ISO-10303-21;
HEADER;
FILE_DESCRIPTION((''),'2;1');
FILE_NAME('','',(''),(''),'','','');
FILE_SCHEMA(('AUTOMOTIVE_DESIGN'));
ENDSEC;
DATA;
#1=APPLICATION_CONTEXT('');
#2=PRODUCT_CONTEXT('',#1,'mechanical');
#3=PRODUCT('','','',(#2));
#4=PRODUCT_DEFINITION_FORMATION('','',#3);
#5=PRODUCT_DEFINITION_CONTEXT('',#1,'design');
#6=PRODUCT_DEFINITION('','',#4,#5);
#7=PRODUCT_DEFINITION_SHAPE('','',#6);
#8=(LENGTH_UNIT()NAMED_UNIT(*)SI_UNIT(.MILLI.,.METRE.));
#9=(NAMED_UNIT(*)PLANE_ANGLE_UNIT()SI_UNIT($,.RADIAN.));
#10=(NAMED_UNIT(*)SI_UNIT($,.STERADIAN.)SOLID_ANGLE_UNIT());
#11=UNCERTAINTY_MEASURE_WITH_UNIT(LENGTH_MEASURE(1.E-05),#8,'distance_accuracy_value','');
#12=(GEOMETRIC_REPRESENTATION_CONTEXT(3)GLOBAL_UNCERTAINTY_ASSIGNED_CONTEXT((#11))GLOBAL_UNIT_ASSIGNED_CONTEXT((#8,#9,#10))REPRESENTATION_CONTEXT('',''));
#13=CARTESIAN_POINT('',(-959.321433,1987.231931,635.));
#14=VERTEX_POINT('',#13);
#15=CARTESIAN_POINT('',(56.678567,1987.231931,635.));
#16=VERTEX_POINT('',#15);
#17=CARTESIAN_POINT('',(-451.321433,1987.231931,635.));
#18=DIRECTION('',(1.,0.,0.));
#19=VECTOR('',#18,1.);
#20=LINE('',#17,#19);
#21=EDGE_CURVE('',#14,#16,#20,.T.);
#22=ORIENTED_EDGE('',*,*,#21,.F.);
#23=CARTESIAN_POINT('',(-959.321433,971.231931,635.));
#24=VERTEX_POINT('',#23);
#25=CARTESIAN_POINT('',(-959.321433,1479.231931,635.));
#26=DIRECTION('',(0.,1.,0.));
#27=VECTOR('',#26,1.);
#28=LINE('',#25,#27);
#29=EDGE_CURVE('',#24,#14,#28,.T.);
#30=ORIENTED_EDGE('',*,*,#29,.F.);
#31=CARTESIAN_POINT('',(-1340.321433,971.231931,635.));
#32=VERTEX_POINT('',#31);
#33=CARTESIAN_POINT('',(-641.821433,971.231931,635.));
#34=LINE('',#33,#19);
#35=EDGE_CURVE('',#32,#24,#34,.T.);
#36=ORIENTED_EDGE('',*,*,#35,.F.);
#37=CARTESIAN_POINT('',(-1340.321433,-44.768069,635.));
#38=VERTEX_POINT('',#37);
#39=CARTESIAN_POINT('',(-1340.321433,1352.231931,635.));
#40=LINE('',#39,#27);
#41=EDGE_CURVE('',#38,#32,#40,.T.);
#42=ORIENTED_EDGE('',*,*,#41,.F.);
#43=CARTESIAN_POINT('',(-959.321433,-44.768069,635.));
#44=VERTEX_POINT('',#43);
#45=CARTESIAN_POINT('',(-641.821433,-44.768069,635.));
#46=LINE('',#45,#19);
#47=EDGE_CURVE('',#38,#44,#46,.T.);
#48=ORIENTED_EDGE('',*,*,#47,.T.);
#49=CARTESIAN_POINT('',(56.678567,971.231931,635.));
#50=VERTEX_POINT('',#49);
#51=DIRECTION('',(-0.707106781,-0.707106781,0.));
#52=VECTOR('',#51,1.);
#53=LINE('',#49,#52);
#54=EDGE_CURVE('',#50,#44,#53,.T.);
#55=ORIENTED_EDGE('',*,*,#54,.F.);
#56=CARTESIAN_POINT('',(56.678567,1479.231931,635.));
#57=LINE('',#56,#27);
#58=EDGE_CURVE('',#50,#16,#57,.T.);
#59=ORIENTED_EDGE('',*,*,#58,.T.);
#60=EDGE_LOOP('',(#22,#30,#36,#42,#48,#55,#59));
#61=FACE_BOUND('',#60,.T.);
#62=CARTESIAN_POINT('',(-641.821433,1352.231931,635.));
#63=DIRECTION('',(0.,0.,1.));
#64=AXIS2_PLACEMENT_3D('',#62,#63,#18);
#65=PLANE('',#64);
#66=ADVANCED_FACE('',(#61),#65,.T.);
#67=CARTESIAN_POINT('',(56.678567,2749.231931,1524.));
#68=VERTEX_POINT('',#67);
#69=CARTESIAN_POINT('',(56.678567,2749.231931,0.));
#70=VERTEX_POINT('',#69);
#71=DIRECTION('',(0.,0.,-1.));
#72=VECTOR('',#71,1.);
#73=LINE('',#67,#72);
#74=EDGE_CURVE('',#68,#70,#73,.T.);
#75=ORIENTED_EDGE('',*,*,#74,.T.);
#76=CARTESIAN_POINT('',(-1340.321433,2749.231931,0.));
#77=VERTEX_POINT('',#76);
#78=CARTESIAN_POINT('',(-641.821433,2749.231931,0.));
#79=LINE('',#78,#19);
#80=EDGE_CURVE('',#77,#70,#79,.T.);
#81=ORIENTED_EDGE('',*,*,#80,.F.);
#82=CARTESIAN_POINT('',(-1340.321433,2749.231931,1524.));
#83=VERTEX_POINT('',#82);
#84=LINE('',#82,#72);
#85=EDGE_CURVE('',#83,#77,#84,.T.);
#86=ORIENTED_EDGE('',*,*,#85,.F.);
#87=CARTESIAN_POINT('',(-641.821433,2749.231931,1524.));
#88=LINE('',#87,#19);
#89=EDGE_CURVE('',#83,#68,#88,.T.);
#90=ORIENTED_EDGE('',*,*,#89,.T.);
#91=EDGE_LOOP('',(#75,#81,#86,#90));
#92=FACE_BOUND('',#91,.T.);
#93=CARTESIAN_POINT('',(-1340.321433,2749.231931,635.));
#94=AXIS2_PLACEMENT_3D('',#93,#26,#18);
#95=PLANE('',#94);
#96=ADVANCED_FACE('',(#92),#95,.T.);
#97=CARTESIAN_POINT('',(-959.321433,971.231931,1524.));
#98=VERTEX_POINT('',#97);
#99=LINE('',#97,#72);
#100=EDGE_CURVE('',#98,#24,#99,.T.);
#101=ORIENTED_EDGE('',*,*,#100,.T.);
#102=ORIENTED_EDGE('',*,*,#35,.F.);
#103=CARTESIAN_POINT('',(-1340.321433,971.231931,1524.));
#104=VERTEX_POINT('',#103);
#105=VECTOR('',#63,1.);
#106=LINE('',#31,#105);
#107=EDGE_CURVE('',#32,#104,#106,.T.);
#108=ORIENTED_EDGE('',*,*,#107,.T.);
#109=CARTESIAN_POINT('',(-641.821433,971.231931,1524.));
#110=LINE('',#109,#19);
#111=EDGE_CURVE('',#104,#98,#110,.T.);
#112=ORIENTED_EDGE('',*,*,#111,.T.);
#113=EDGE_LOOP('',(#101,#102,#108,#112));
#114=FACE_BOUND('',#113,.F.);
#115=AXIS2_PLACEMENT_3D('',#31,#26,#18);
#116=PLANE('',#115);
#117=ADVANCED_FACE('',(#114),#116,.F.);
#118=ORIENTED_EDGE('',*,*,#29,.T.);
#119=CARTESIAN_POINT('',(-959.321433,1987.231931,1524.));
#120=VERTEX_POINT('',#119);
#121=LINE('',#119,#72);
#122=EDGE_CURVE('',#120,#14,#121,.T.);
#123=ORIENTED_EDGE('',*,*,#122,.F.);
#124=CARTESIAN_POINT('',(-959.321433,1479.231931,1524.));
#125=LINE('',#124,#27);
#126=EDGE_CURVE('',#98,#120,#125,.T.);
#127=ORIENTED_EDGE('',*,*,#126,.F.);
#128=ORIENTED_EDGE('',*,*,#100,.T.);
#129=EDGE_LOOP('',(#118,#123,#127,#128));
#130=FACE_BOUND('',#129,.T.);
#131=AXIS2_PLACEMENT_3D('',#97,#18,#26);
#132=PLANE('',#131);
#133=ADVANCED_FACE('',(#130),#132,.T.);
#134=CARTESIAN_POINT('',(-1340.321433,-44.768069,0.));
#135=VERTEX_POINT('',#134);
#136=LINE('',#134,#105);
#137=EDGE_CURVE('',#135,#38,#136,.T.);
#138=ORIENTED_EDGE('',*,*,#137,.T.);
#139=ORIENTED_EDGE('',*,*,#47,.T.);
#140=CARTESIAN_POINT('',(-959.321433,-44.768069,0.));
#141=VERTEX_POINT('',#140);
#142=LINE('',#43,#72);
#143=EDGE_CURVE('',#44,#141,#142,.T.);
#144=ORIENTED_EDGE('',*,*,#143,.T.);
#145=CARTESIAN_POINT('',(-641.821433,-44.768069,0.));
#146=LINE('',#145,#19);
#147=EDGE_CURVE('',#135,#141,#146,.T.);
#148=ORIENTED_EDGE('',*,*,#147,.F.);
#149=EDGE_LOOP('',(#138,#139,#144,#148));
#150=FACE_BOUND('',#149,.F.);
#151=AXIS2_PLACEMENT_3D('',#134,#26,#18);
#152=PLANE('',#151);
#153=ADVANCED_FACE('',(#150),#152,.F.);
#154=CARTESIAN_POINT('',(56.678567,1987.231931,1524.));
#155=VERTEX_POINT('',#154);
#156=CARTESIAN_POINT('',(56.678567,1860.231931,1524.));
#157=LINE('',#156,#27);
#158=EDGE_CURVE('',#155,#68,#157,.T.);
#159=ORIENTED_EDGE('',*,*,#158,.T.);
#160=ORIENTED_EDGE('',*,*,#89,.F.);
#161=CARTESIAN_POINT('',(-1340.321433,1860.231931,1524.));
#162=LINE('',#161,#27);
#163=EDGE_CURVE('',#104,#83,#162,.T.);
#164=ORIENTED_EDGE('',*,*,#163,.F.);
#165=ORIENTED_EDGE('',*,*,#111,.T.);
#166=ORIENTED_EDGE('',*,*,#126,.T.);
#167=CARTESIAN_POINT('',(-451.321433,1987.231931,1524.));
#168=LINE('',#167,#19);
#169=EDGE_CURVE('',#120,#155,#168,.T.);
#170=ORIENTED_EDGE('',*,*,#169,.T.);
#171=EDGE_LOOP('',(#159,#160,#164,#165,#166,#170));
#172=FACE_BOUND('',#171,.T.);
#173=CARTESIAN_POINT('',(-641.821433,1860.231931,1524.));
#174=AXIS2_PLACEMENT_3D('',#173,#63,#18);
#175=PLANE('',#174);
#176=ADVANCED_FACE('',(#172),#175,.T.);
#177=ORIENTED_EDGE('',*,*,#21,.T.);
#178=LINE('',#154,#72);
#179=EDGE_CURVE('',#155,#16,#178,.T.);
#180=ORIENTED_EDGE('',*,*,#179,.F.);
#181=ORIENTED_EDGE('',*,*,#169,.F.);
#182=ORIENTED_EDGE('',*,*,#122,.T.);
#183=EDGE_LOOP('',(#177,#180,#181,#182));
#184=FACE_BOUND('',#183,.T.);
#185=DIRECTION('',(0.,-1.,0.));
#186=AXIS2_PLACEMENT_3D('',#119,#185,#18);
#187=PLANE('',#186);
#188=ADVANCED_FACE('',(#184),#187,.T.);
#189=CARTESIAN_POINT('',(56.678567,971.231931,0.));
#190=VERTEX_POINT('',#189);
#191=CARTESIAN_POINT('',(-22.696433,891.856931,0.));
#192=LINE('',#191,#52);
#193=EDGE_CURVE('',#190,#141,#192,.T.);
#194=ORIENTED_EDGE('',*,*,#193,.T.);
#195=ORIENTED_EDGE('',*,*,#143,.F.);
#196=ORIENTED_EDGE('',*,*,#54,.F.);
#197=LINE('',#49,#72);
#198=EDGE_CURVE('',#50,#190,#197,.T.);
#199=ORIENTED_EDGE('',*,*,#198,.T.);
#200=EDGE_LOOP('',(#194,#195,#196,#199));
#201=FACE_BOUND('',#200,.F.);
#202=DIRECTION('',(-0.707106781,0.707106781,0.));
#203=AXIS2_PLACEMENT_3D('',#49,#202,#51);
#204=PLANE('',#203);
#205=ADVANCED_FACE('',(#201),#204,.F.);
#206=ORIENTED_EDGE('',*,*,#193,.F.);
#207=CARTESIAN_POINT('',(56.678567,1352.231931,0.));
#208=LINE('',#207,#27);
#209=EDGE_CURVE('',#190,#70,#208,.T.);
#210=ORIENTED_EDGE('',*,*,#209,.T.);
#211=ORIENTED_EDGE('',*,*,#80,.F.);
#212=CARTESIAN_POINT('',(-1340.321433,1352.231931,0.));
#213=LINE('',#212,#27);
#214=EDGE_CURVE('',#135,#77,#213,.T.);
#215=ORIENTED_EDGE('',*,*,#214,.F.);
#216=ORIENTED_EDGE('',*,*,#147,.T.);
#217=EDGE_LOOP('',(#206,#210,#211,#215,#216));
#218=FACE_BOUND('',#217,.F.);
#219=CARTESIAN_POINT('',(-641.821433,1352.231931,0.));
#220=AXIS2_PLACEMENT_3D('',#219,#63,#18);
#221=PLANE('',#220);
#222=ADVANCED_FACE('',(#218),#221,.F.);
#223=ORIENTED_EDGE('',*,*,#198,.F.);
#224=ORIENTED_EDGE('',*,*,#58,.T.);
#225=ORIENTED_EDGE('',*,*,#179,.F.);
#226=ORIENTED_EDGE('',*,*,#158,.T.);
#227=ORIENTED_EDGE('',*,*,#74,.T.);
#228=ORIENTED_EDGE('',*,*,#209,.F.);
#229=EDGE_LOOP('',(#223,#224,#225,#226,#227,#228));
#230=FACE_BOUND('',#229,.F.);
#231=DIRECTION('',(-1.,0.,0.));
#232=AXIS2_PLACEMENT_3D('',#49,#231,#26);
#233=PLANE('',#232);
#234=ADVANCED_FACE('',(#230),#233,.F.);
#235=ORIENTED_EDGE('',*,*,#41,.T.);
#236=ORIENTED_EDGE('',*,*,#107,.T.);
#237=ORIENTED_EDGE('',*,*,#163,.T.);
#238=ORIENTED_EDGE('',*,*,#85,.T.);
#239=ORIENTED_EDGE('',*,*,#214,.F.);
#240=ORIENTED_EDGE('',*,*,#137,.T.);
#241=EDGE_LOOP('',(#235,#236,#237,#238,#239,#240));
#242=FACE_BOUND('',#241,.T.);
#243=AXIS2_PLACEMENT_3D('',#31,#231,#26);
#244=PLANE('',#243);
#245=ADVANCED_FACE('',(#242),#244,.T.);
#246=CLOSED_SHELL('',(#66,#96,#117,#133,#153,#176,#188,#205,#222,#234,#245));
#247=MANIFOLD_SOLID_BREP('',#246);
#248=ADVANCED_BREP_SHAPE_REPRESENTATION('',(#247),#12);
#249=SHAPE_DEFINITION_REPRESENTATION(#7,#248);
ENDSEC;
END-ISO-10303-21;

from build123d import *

# Parameters (mm, degrees)
F0_W     = 1397
F0_H     = 2794
F1_DEPTH = 635
F3_DEPTH = 660.4
F4_W     = 1397
F4_H     = 1778
F5_DEPTH = 889
F6_W     = 1016
F6_H     = 1016
F7_DEPTH = 889


with BuildPart() as f1:
    # F0 (on Top) → F1 (new body)
    with BuildSketch(Plane.XY):
        with Locations((-641.821433, 1352.231931)):
            Rectangle(F0_W, F0_H)
    extrude(amount=F1_DEPTH)

    # F2 (on face) → F3 (cut)
    with BuildSketch(Plane.XY.offset(635)):
        Polygon((-959.321433, -44.768069), (56.678567, -44.768069), (56.678567, 971.231931), align=None)
    extrude(amount=-F3_DEPTH, mode=Mode.SUBTRACT)

    # F4 (on face) → F5 (join)
    with BuildSketch(Plane.XY.offset(635)):
        with Locations((-641.821433, 1860.231931)):
            Rectangle(F4_W, F4_H)
    extrude(amount=F5_DEPTH)

    # F6 (on face) → F7 (cut)
    with BuildSketch(Plane.XY.offset(1524)):
        with Locations((-451.321433, 1479.231931)):
            Rectangle(F6_W, F6_H)
    extrude(amount=-F7_DEPTH, mode=Mode.SUBTRACT)


solid = f1.part
